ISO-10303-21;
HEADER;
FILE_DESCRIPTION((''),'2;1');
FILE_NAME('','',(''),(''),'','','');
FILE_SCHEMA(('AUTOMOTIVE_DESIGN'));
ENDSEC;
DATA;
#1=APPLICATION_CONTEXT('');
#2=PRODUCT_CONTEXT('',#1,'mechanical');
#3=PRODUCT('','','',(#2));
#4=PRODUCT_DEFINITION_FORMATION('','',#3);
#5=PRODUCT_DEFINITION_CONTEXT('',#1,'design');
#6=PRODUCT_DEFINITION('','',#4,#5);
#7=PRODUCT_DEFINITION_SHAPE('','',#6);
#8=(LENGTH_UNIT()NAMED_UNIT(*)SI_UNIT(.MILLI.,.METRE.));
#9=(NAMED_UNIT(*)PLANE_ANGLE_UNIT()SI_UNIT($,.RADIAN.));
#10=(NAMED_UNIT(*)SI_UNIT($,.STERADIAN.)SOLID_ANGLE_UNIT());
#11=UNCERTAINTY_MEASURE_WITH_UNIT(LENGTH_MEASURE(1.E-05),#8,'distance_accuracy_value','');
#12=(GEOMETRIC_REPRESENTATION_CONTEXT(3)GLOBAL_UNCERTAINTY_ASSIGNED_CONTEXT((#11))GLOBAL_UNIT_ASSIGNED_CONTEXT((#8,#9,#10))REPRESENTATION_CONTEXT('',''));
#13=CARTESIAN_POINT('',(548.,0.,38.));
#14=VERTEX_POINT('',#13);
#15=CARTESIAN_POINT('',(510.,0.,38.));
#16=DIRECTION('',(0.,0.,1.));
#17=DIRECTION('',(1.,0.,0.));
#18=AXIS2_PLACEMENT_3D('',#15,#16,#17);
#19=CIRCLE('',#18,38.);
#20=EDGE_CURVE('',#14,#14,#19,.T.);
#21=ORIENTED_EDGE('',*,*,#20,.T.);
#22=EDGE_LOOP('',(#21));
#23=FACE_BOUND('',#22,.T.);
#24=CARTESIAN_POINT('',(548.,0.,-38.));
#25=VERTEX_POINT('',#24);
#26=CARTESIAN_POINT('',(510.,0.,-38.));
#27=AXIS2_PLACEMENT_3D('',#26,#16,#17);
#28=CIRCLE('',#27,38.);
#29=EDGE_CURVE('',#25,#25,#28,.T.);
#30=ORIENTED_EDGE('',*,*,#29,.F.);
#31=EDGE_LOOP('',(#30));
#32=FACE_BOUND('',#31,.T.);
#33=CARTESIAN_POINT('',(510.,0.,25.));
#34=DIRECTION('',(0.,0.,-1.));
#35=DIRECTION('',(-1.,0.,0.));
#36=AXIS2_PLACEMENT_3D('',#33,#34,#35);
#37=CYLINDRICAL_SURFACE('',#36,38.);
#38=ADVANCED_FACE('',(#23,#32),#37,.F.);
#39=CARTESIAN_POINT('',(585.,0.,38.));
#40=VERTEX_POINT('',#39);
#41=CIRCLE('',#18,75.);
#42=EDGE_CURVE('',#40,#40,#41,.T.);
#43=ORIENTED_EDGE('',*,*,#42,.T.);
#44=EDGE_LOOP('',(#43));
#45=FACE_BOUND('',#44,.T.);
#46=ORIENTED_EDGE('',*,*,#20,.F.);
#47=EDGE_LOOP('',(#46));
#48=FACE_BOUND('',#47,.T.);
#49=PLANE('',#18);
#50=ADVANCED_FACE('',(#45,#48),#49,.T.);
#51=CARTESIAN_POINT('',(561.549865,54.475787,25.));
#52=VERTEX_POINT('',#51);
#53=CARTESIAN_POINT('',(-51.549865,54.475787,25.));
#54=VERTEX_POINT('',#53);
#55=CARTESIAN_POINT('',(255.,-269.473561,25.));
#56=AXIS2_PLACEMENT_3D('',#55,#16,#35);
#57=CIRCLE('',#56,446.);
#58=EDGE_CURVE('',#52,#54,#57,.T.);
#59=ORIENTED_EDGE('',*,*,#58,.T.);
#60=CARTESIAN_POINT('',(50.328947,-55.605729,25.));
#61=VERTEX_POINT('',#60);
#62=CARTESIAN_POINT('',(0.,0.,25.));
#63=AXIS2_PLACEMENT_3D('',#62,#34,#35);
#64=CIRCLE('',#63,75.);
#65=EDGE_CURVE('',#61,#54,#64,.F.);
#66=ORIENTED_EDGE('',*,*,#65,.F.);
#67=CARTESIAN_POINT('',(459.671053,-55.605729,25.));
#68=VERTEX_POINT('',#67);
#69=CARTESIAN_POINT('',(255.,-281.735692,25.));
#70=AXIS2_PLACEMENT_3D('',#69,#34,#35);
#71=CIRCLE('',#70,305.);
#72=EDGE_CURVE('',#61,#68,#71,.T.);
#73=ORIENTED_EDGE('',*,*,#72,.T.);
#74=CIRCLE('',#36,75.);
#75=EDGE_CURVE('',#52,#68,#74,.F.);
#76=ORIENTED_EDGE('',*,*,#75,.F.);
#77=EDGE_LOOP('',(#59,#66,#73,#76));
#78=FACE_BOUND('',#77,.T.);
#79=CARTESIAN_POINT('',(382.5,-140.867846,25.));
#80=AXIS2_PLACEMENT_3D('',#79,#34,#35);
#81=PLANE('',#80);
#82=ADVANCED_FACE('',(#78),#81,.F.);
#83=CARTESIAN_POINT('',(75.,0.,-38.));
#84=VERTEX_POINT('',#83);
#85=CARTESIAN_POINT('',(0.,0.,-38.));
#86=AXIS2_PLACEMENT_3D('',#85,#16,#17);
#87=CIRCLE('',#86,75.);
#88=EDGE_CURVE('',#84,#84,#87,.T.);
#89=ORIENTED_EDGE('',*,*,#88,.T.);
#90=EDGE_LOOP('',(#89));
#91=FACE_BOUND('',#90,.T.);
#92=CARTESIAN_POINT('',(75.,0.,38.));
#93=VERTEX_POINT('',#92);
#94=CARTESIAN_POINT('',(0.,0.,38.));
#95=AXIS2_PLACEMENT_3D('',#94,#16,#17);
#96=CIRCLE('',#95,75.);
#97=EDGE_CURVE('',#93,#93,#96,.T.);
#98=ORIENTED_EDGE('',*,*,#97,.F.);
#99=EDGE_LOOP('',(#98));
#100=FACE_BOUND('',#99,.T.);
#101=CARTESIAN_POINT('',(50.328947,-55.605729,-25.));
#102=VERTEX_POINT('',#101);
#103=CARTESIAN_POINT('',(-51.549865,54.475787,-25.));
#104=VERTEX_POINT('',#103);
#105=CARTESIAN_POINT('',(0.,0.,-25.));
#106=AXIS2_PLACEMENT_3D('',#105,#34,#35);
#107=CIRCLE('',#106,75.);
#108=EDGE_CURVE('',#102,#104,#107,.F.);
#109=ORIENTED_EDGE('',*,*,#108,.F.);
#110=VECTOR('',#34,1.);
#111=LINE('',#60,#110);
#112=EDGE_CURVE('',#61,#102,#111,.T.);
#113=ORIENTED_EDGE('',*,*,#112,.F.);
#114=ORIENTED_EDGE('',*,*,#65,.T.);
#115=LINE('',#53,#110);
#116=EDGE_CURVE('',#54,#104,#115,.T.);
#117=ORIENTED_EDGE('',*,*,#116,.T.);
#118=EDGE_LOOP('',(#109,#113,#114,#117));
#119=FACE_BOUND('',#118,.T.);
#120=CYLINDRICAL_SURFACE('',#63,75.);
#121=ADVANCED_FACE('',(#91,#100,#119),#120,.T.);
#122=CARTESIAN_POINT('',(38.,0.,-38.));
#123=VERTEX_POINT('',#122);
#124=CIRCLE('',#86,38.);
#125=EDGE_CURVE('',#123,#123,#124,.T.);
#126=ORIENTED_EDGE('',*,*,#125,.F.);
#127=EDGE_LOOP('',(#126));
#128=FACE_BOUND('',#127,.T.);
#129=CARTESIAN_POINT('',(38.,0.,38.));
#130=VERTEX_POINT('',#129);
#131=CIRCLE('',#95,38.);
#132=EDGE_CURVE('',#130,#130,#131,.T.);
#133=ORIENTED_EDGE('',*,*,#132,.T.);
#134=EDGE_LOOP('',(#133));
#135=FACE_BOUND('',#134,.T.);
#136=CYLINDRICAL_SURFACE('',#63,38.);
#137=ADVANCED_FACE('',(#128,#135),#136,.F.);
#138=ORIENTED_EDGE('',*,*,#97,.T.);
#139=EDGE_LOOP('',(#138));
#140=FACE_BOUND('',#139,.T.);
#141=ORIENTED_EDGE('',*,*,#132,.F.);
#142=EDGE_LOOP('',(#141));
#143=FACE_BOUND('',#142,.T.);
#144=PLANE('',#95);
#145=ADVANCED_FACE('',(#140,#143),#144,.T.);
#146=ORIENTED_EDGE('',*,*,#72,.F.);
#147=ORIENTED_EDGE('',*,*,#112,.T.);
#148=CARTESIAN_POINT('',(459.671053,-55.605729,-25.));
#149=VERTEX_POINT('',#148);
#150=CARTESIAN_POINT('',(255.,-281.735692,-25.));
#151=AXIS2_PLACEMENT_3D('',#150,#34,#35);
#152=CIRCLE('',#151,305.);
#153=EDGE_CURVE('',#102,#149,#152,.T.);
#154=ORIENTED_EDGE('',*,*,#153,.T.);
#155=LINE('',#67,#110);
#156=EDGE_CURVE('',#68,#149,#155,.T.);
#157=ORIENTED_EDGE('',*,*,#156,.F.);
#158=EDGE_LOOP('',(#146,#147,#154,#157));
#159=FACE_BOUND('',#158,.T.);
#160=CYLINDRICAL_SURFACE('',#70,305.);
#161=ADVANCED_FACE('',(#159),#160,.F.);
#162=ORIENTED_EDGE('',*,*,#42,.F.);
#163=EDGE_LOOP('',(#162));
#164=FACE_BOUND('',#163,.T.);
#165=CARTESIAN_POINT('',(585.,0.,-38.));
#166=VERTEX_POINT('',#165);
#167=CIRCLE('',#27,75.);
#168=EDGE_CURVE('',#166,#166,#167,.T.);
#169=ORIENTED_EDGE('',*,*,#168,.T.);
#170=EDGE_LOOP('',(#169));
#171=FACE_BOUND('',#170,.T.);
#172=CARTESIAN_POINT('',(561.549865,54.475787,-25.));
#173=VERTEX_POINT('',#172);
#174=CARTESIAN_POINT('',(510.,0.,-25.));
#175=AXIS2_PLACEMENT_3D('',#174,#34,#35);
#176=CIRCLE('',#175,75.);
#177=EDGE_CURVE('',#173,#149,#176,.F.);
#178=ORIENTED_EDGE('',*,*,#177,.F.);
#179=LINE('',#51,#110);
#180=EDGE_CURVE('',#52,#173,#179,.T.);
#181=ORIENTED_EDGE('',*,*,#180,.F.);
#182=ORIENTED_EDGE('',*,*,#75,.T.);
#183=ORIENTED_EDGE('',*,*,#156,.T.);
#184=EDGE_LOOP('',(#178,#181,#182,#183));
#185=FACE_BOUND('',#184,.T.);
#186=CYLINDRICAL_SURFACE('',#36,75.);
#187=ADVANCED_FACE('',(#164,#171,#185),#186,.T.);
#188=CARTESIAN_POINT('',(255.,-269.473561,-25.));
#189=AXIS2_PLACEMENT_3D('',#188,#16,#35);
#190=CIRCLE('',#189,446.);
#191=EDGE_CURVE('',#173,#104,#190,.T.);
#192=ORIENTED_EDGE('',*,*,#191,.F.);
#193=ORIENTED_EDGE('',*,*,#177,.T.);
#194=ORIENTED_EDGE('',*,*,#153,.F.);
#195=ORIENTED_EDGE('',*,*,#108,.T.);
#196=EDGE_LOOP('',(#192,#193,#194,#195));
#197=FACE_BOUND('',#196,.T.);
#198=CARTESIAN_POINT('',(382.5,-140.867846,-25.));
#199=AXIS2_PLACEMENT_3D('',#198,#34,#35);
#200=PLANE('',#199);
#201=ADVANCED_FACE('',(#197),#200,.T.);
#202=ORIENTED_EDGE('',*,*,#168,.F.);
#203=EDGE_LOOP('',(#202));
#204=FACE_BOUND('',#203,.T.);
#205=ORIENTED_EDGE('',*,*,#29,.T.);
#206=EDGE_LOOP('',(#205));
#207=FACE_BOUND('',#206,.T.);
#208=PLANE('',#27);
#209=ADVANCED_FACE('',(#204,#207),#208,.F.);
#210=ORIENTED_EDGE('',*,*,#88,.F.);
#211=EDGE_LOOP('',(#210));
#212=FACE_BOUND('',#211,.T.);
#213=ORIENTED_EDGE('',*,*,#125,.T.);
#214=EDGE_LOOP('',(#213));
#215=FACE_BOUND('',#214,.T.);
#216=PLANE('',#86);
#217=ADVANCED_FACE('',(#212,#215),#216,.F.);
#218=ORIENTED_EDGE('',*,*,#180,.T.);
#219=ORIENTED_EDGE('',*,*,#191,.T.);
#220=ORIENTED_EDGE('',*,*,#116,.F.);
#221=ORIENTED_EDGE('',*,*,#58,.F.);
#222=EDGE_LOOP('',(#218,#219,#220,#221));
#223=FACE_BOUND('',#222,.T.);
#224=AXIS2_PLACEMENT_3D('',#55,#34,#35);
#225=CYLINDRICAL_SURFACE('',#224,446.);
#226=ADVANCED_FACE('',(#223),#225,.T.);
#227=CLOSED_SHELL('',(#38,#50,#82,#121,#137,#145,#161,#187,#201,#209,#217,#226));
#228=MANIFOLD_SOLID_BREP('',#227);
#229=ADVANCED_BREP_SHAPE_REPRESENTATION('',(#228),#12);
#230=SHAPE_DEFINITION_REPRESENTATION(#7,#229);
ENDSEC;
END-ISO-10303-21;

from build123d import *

# Parameters (mm, degrees)
SKETCH1_R           = 38
BOSS_EXTRUDE1_DEPTH = 25
SKETCH2_R           = 75
SKETCH2_R_2         = 38
BOSS_EXTRUDE2_DEPTH = 38


with BuildPart() as part:
    # Sketch1 → Boss-Extrude1 (new, symmetric)
    with BuildSketch(Plane.XY):
        with BuildLine():
            ThreePointArc((-51.549865229, 54.475787235), (-55.04414314, -50.942539257), (50.328947368, -55.605728633))
            ThreePointArc((50.328947368, -55.605728633), (255, 23.26430826), (459.671052632, -55.605728633))
            ThreePointArc((459.671052632, -55.605728633), (565.04414314, -50.942539257), (561.549865229, 54.475787235))
            ThreePointArc((561.549865229, 54.475787235), (255, 176.526439145), (-51.549865229, 54.475787235))
        make_face()
        Circle(SKETCH1_R, mode=Mode.SUBTRACT)
        with Locations((510, 0)):
            Circle(SKETCH1_R, mode=Mode.SUBTRACT)
    extrude(amount=BOSS_EXTRUDE1_DEPTH, both=True)

    # Sketch2 → Boss-Extrude2 (add, symmetric)
    # profile 1 of 2: a face of its own
    with BuildSketch(Plane.XY):
        Circle(SKETCH2_R)
        Circle(SKETCH2_R_2, mode=Mode.SUBTRACT)
    # profile 2 of 2: a face of its own
    with BuildSketch(Plane.XY):
        with Locations((510, 0)):
            Circle(SKETCH2_R)
        with Locations((510, 0)):
            Circle(SKETCH2_R_2, mode=Mode.SUBTRACT)
    extrude(amount=BOSS_EXTRUDE2_DEPTH, both=True)


solid = part.part
